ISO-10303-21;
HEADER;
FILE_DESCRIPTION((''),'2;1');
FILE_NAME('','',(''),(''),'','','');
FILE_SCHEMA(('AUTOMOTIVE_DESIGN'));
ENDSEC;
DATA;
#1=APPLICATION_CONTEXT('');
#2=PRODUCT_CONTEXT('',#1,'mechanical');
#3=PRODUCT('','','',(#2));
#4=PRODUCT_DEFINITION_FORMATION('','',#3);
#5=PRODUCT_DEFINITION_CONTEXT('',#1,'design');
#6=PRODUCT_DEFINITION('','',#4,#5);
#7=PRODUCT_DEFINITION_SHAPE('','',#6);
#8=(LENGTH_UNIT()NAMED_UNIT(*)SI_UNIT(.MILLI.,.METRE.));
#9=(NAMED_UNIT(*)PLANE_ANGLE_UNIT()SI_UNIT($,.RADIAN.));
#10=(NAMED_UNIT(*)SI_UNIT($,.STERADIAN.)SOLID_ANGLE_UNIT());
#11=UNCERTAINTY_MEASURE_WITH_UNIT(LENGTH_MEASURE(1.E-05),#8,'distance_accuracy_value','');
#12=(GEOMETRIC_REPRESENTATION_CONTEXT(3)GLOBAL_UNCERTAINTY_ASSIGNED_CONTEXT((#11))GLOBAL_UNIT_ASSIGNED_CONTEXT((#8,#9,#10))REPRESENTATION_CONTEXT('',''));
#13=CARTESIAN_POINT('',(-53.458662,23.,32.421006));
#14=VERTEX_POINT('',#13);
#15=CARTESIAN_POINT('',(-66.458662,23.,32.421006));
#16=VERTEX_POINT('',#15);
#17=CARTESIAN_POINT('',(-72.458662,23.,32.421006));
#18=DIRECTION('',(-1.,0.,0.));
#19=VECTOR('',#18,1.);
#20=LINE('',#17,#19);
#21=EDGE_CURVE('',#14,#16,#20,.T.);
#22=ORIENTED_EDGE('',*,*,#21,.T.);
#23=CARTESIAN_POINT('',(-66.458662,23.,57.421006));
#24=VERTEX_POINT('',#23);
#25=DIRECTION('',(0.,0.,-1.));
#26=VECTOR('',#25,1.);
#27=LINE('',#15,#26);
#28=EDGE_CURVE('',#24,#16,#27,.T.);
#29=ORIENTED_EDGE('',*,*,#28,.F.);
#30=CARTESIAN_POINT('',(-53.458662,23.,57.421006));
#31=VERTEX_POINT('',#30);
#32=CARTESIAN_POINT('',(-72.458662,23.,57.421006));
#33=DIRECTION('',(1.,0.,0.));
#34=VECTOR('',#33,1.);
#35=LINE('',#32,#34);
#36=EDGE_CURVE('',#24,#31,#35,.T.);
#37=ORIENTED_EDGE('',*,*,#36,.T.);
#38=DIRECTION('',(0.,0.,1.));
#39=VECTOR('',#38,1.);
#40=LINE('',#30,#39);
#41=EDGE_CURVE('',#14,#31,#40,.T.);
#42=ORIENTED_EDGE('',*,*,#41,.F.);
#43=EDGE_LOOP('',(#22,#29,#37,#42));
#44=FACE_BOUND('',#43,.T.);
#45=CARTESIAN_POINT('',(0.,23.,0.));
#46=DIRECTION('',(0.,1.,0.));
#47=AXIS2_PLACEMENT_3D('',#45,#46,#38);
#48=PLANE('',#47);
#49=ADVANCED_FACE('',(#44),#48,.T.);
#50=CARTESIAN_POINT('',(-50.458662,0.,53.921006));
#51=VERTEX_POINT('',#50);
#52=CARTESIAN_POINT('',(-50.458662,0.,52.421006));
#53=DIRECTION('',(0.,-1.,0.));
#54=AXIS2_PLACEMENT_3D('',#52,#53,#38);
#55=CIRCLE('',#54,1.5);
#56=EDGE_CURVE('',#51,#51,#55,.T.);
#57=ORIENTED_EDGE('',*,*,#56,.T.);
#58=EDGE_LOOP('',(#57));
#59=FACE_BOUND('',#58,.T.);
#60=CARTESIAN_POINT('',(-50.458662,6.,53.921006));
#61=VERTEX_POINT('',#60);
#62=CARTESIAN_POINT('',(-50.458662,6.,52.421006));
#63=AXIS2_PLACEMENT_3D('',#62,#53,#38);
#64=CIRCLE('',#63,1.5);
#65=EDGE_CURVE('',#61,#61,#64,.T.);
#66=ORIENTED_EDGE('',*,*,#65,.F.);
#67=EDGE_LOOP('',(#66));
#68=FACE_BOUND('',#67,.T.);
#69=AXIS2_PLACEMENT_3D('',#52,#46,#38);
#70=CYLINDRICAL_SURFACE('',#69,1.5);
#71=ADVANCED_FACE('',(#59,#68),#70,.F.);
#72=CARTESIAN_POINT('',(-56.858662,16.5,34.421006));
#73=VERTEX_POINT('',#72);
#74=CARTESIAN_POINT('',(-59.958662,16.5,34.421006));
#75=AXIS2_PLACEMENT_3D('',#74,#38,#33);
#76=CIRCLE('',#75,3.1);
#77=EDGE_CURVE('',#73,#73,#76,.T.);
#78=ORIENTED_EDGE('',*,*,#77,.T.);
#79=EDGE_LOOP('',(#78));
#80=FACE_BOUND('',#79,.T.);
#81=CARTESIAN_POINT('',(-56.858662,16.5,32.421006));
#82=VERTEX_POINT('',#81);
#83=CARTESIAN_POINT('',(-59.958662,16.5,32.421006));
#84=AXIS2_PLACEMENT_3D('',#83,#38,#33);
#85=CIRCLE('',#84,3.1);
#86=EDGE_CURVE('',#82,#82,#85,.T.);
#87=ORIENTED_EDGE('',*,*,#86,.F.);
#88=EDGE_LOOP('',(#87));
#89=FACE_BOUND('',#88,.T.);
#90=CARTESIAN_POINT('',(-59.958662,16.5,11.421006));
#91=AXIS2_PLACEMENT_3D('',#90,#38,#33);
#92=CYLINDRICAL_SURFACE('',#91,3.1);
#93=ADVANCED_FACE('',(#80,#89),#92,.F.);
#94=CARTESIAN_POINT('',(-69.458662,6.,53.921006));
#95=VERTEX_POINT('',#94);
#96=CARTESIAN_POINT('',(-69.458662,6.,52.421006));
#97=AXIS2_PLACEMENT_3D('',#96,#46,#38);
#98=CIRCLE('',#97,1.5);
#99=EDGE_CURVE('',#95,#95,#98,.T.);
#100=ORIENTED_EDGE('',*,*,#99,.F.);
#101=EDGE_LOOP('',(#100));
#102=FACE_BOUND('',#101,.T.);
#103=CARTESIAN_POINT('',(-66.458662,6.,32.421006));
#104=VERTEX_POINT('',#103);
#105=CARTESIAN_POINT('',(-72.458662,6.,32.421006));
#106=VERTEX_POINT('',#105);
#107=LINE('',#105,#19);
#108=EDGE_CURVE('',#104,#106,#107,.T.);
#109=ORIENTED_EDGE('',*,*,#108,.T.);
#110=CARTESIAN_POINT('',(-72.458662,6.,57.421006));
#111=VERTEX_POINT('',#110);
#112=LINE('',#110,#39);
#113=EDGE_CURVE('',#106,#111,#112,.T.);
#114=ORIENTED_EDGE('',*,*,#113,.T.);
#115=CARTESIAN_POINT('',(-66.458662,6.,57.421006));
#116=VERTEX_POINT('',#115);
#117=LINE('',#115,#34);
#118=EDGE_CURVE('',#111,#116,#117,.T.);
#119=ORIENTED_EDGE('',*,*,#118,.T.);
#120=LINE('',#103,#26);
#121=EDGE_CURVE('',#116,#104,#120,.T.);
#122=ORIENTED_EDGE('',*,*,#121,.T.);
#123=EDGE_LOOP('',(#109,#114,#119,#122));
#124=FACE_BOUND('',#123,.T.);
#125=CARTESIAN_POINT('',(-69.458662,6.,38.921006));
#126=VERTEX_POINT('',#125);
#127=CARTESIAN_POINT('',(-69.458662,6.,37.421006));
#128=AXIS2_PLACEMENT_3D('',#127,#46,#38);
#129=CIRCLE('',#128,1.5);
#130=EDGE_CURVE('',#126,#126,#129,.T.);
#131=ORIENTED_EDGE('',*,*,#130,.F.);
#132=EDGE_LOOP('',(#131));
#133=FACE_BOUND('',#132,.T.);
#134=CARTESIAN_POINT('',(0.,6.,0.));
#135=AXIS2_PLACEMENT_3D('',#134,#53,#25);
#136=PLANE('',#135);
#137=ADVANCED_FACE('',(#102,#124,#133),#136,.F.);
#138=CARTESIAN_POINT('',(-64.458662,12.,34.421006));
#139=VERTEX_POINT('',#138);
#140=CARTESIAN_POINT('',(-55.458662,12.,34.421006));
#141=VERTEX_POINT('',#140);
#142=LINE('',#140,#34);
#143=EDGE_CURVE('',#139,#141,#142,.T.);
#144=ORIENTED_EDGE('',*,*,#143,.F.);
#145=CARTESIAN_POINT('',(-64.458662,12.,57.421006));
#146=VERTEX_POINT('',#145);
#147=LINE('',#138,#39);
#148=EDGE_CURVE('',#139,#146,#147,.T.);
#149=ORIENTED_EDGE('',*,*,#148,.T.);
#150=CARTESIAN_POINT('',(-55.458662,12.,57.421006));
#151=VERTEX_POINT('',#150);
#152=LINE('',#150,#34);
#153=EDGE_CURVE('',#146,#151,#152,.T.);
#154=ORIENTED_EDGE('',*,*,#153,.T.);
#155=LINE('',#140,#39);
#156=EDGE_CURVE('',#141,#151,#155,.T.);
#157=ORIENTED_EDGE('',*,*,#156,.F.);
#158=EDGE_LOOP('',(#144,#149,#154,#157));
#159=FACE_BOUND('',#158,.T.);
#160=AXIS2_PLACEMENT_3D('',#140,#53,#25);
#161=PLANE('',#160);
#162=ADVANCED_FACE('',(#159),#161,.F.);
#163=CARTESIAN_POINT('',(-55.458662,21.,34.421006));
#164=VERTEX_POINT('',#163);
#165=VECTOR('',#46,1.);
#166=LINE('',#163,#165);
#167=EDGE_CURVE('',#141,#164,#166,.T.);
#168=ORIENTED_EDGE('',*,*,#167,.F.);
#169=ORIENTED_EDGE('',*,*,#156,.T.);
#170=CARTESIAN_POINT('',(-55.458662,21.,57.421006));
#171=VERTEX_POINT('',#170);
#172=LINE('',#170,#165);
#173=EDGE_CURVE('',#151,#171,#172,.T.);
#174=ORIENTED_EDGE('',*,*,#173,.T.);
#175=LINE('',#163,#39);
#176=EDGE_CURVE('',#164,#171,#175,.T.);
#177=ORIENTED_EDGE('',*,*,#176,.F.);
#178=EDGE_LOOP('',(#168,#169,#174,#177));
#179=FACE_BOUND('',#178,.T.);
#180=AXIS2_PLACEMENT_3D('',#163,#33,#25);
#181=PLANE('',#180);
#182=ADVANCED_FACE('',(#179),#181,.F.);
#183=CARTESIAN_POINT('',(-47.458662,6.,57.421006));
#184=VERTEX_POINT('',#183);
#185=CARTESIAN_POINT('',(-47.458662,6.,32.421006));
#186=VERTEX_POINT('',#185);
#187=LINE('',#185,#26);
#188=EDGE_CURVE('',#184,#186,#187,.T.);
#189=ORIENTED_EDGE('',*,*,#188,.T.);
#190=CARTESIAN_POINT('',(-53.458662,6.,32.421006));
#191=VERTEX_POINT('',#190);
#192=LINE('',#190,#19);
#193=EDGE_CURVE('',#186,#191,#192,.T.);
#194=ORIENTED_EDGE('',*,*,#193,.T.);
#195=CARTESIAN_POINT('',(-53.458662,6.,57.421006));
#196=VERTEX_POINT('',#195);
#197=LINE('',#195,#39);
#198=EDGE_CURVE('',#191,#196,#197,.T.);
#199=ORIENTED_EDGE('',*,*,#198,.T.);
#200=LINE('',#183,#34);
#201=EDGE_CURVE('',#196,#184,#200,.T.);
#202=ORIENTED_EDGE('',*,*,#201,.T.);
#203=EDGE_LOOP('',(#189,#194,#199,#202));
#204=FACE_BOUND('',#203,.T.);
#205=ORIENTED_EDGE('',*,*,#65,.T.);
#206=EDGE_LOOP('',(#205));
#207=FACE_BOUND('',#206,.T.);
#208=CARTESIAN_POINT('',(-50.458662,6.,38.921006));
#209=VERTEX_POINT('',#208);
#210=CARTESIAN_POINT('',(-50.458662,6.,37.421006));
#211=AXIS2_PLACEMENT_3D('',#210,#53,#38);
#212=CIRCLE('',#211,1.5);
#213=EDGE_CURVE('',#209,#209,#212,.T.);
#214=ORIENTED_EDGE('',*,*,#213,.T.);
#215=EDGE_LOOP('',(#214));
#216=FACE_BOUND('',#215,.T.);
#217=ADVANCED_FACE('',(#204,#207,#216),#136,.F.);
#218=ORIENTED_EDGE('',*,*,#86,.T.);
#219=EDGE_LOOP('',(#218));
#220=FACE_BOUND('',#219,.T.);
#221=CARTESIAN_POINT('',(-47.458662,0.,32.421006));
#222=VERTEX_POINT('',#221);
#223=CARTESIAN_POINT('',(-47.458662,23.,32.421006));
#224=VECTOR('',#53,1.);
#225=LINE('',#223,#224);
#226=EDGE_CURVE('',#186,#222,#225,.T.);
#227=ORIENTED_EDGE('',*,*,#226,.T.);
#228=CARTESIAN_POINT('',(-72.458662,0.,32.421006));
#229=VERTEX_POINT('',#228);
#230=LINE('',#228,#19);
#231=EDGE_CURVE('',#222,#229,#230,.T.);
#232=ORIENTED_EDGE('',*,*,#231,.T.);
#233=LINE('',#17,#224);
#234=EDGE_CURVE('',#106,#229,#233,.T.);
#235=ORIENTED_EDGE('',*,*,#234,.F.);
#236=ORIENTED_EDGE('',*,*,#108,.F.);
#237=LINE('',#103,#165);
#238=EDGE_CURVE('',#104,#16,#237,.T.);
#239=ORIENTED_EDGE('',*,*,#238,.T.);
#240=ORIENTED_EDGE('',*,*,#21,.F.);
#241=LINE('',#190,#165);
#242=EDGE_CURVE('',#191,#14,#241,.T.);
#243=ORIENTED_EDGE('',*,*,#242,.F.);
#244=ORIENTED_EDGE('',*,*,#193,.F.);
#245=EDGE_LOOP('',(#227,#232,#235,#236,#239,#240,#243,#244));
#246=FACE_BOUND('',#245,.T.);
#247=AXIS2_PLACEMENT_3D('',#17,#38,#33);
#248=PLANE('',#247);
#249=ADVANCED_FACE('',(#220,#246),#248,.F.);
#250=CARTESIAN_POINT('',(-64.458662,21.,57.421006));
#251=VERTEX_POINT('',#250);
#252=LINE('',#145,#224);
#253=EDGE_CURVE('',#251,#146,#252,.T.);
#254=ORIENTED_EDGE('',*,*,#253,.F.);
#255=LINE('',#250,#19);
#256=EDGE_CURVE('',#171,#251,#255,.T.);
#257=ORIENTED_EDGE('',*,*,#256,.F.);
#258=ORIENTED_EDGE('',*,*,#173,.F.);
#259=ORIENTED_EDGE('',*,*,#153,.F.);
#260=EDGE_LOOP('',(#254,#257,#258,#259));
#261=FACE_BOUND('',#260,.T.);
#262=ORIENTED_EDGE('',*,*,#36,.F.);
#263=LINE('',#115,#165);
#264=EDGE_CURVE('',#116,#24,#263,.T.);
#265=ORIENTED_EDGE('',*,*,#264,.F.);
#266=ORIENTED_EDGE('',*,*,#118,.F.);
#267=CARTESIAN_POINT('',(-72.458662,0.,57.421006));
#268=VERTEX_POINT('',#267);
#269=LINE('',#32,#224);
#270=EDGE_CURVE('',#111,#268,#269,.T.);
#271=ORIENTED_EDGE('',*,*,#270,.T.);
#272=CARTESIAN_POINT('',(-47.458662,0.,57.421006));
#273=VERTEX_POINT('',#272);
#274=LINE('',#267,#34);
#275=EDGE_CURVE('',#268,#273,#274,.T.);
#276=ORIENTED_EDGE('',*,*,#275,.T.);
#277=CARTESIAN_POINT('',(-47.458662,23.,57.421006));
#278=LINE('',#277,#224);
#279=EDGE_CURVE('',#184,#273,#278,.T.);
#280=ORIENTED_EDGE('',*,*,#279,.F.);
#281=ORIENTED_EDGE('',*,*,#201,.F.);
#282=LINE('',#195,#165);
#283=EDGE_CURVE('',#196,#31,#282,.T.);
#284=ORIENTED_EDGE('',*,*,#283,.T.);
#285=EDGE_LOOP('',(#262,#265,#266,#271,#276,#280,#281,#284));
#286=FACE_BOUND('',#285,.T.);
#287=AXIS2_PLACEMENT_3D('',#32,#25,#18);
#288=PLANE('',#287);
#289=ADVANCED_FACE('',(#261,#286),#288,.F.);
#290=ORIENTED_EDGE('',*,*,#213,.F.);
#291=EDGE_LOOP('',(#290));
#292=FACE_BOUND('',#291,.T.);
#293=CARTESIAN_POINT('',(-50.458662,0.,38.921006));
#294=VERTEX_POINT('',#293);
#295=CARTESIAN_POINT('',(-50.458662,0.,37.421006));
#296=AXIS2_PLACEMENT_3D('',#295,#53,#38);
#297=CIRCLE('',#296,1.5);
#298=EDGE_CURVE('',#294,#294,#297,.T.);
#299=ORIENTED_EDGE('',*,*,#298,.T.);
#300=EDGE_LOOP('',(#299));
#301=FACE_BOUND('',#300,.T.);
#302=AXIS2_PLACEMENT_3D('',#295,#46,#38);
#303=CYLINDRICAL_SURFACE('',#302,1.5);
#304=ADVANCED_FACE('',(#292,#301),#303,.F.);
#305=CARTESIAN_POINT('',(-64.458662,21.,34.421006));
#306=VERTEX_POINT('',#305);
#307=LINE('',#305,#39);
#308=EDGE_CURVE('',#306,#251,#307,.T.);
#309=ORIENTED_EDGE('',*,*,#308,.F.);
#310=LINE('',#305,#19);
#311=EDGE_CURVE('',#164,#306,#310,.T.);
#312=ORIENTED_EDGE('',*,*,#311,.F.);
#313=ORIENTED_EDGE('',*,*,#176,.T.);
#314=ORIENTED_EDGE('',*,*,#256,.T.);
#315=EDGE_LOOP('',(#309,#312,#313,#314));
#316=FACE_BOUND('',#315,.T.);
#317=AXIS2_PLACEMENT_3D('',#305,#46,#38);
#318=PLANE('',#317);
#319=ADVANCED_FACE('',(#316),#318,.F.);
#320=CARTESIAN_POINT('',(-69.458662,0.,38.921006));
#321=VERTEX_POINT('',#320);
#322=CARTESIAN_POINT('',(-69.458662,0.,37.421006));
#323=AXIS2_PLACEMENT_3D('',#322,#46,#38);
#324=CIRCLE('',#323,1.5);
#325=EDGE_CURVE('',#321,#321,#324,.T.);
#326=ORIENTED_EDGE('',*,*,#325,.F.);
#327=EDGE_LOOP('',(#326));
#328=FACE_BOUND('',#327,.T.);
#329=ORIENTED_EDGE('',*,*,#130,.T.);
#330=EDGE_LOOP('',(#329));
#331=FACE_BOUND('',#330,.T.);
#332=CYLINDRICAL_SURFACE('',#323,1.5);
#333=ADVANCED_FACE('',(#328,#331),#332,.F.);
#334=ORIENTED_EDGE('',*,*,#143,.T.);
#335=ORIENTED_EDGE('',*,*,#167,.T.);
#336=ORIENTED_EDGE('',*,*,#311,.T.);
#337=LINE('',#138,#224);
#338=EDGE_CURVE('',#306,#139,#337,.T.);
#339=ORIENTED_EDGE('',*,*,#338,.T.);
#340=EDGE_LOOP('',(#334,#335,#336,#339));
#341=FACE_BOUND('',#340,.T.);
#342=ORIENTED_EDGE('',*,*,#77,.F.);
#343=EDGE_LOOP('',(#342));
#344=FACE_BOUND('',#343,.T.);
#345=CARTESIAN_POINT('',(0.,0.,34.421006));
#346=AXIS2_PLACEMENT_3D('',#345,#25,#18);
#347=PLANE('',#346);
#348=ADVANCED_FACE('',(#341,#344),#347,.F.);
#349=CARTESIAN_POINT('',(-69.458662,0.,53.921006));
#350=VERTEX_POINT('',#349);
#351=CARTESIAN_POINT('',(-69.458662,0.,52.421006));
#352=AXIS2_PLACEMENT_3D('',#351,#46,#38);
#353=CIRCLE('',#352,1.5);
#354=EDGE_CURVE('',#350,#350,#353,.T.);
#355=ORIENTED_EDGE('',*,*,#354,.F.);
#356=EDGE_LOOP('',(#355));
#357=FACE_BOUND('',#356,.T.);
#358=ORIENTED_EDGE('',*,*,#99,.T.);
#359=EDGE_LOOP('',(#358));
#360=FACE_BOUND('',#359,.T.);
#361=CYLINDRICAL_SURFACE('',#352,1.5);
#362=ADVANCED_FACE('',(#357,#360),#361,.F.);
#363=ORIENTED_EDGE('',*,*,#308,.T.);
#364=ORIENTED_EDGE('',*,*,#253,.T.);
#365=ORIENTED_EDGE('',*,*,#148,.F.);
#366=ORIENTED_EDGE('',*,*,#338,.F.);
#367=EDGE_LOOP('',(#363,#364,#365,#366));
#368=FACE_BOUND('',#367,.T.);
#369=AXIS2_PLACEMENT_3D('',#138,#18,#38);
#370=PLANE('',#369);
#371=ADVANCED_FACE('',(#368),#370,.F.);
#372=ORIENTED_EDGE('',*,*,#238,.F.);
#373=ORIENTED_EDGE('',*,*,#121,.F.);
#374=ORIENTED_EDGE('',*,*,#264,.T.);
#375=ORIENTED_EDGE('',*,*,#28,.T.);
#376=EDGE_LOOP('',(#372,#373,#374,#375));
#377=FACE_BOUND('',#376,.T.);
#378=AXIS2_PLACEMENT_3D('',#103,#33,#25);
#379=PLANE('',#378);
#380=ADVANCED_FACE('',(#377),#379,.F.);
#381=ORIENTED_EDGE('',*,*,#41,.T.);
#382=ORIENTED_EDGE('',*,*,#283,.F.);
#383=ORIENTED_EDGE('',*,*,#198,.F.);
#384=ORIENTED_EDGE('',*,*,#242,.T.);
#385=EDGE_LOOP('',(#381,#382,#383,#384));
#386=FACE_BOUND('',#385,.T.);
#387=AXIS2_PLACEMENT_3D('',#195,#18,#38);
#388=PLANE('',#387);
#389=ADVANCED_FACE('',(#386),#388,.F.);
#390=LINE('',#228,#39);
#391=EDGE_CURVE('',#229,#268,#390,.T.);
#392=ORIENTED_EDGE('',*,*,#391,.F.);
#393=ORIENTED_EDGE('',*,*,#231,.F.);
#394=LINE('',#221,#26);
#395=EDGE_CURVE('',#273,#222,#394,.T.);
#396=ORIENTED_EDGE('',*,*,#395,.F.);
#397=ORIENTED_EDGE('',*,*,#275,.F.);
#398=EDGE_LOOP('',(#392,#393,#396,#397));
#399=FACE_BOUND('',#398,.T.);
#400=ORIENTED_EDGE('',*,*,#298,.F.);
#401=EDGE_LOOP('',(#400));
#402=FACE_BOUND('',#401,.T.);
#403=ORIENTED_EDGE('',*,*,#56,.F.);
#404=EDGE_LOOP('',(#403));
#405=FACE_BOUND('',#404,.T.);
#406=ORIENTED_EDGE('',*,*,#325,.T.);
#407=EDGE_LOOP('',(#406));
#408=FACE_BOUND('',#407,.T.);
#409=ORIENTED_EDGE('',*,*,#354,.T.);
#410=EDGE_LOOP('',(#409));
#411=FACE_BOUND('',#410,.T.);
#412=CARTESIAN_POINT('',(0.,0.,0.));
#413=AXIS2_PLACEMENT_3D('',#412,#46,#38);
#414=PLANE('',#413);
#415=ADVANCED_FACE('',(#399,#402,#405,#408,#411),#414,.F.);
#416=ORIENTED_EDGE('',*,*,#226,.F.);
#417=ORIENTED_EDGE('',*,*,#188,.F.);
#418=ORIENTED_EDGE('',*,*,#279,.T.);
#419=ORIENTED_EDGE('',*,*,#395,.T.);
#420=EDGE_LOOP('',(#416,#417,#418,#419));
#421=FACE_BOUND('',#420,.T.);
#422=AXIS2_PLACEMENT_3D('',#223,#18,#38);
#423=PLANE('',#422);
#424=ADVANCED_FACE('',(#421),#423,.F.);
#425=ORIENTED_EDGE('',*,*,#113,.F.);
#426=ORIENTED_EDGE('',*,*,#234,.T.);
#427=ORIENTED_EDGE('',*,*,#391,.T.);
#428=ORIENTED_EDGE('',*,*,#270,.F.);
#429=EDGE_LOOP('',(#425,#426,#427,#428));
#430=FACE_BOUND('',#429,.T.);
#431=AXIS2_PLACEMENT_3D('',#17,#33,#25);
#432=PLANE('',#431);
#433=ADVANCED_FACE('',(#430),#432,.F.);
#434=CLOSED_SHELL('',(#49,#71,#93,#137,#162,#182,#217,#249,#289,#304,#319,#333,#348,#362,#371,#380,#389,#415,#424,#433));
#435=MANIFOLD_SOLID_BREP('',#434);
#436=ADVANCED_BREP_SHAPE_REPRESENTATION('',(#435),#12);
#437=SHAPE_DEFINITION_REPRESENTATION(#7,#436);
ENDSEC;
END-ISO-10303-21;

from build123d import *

# Parameters (mm, degrees)
SKETCH_1_W          = 25
SKETCH_1_H          = 25
EXTRUDE_1_DEPTH     = 23
SKETCH_2_W          = 6
SKETCH_2_H          = 25
CUT_EXTRUDE_1_DEPTH = 17
SKETCH_3_R          = 1.5
CUT_EXTRUDE_2_DEPTH = 6
SKETCH_7_W          = 9
SKETCH_7_H          = 9
CUT_EXTRUDE_3_DEPTH = 23
SKETCH_8_R          = 3.1
CUT_EXTRUDE_4_DEPTH = 23


with BuildPart() as part:
    # 草图1 → 凸台-拉伸1 (new body)
    with BuildSketch(Plane(origin=(0, 0, 0), x_dir=(1, 0, 0), z_dir=(0, 1, 0))):
        with Locations((-59.958661712, -44.921006296)):
            Rectangle(SKETCH_1_W, SKETCH_1_H)
    extrude(amount=EXTRUDE_1_DEPTH)

    # 草图2 → 切除-拉伸1 (cut)
    with BuildSketch(Plane(origin=(0, 23, 0), x_dir=(1, 0, 0), z_dir=(0, 1, 0))):
        with Locations((-69.458661712, -44.921006296)):
            Rectangle(SKETCH_2_W, SKETCH_2_H)
        with Locations((-50.458661712, -44.921006296)):
            Rectangle(SKETCH_2_W, SKETCH_2_H)
    extrude(amount=-CUT_EXTRUDE_1_DEPTH, mode=Mode.SUBTRACT)

    # 草图3 → 切除-拉伸2 (cut)
    with BuildSketch(Plane(origin=(0, 6, 0), x_dir=(1, 0, 0), z_dir=(0, 1, 0))):
        with Locations(Location((-69.458661712, -37.421006296, 0), (0, 0, 270))):
            Circle(SKETCH_3_R)
        with Locations(Location((-69.458661712, -52.421006296, 0), (0, 0, 270))):
            Circle(SKETCH_3_R)
    cut_extrude_2 = extrude(amount=-CUT_EXTRUDE_2_DEPTH, mode=Mode.SUBTRACT)

    # 镜向1: 切除-拉伸2 across plane
    add(cut_extrude_2.mirror(Plane.ZY.offset(59.958661712)), mode=Mode.SUBTRACT)

    # 草图7 → 切除-拉伸3 (cut)
    with BuildSketch(Plane.XY.offset(57.421006296)):
        with Locations((-59.958661712, 16.5)):
            Rectangle(SKETCH_7_W, SKETCH_7_H)
    extrude(amount=-CUT_EXTRUDE_3_DEPTH, mode=Mode.SUBTRACT)

    # 草图8 → 切除-拉伸4 (cut)
    with BuildSketch(Plane.XY.offset(34.421006296)):
        with Locations((-59.958661712, 16.5)):
            Circle(SKETCH_8_R)
    extrude(amount=-CUT_EXTRUDE_4_DEPTH, mode=Mode.SUBTRACT)


solid = part.part
